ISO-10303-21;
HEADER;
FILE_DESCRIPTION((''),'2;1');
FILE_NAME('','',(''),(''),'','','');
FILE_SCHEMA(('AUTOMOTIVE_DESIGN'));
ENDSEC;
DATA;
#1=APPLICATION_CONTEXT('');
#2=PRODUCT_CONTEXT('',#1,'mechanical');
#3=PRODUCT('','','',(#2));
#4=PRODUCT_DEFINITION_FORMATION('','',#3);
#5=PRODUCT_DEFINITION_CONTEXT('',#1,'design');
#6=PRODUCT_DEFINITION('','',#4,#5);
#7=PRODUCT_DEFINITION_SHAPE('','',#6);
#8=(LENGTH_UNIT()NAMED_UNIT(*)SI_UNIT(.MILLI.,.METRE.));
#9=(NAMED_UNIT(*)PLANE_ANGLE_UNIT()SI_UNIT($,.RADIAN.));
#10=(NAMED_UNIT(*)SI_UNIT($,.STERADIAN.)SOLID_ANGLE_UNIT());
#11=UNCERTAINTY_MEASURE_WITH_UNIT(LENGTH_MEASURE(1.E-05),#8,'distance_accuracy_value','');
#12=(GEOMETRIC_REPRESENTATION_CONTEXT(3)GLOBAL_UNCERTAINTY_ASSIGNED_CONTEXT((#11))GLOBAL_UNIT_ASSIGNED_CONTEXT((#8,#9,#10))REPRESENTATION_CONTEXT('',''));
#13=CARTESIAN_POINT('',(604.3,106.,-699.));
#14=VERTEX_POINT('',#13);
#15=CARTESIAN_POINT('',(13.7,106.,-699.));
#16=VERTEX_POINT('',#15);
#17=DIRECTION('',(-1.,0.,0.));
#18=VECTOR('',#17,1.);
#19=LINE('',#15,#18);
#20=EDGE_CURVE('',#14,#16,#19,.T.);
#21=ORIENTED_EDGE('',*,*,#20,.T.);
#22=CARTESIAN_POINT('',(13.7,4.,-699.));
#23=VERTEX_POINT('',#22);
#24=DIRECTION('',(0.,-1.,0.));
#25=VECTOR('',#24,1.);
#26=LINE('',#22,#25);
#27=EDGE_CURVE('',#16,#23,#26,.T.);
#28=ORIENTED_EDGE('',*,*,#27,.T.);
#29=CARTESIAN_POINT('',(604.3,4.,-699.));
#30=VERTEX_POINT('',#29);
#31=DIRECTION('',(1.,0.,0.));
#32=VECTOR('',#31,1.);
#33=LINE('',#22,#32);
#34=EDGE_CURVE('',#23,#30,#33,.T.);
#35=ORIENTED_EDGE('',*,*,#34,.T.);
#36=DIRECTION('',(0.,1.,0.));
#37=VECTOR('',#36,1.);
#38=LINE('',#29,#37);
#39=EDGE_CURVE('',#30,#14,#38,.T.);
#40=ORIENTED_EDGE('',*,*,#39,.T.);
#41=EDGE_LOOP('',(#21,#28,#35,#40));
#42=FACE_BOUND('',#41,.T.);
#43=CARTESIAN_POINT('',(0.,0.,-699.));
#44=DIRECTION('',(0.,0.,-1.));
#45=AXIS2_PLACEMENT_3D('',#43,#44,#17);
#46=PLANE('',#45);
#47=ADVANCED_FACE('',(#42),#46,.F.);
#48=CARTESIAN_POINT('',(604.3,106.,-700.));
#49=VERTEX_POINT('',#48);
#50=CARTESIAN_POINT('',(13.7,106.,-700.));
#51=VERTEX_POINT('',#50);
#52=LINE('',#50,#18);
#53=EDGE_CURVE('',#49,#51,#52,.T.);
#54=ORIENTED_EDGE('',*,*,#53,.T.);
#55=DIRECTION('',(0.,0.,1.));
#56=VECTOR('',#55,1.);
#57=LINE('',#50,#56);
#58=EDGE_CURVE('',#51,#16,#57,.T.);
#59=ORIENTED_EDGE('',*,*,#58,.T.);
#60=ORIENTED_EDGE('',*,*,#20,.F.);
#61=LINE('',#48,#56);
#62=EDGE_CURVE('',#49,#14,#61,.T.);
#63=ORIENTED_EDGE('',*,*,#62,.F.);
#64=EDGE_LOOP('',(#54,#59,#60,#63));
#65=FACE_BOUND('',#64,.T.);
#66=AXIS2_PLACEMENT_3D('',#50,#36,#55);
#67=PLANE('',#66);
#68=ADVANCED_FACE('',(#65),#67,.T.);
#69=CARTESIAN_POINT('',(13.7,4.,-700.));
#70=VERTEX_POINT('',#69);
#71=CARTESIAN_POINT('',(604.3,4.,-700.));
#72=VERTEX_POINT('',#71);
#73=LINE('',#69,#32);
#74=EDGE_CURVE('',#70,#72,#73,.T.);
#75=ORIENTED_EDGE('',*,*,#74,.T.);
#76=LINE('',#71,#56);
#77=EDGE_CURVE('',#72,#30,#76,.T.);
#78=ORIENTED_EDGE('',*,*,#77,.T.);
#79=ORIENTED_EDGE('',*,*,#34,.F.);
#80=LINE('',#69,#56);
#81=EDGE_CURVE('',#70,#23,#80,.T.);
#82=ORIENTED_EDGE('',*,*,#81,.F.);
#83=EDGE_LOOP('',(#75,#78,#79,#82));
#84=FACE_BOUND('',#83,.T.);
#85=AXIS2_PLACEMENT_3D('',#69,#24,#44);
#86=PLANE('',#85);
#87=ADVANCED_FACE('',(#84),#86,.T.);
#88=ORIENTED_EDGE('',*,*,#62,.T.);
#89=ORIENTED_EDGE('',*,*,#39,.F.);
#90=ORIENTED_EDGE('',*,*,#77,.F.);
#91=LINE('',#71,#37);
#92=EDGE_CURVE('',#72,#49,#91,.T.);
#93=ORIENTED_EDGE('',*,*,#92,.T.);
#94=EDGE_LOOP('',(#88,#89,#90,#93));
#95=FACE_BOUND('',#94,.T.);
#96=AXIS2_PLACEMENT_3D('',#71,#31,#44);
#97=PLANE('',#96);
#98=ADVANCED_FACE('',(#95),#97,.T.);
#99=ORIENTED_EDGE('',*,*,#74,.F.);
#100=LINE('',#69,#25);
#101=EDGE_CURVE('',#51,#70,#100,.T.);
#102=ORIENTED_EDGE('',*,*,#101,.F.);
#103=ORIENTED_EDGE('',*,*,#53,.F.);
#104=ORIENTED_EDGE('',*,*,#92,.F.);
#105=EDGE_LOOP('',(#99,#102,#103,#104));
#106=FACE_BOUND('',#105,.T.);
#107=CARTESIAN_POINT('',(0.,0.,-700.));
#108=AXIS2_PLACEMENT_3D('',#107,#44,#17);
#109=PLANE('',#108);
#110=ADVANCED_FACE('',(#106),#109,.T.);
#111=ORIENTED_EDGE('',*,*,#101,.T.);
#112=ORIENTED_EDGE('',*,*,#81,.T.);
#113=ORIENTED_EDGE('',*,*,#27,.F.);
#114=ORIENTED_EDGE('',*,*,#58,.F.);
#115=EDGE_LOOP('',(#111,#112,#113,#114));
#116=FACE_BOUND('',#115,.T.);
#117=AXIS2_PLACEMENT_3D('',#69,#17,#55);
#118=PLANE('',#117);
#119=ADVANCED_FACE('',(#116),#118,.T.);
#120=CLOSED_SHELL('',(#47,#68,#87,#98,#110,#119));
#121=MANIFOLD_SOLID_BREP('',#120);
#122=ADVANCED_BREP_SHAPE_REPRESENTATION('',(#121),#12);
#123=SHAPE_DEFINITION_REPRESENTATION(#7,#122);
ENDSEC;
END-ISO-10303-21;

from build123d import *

# Parameters (mm, degrees)
CEK_ICECEK_KUTU_ARKA_1_0_1_START = -699
SKETCH1_W                        = 590.6
SKETCH1_H                        = 102
CEK_ICECEK_KUTU_ARKA_1_0_1_DEPTH = 1


with BuildPart() as part:
    # Sketch1 → CEK_icecek_kutu_arka_1.0_1 (new body)
    with BuildSketch(Plane.XY.offset(CEK_ICECEK_KUTU_ARKA_1_0_1_START)):
        with Locations((309, 55)):
            Rectangle(SKETCH1_W, SKETCH1_H)
    extrude(amount=-CEK_ICECEK_KUTU_ARKA_1_0_1_DEPTH)


solid = part.part
